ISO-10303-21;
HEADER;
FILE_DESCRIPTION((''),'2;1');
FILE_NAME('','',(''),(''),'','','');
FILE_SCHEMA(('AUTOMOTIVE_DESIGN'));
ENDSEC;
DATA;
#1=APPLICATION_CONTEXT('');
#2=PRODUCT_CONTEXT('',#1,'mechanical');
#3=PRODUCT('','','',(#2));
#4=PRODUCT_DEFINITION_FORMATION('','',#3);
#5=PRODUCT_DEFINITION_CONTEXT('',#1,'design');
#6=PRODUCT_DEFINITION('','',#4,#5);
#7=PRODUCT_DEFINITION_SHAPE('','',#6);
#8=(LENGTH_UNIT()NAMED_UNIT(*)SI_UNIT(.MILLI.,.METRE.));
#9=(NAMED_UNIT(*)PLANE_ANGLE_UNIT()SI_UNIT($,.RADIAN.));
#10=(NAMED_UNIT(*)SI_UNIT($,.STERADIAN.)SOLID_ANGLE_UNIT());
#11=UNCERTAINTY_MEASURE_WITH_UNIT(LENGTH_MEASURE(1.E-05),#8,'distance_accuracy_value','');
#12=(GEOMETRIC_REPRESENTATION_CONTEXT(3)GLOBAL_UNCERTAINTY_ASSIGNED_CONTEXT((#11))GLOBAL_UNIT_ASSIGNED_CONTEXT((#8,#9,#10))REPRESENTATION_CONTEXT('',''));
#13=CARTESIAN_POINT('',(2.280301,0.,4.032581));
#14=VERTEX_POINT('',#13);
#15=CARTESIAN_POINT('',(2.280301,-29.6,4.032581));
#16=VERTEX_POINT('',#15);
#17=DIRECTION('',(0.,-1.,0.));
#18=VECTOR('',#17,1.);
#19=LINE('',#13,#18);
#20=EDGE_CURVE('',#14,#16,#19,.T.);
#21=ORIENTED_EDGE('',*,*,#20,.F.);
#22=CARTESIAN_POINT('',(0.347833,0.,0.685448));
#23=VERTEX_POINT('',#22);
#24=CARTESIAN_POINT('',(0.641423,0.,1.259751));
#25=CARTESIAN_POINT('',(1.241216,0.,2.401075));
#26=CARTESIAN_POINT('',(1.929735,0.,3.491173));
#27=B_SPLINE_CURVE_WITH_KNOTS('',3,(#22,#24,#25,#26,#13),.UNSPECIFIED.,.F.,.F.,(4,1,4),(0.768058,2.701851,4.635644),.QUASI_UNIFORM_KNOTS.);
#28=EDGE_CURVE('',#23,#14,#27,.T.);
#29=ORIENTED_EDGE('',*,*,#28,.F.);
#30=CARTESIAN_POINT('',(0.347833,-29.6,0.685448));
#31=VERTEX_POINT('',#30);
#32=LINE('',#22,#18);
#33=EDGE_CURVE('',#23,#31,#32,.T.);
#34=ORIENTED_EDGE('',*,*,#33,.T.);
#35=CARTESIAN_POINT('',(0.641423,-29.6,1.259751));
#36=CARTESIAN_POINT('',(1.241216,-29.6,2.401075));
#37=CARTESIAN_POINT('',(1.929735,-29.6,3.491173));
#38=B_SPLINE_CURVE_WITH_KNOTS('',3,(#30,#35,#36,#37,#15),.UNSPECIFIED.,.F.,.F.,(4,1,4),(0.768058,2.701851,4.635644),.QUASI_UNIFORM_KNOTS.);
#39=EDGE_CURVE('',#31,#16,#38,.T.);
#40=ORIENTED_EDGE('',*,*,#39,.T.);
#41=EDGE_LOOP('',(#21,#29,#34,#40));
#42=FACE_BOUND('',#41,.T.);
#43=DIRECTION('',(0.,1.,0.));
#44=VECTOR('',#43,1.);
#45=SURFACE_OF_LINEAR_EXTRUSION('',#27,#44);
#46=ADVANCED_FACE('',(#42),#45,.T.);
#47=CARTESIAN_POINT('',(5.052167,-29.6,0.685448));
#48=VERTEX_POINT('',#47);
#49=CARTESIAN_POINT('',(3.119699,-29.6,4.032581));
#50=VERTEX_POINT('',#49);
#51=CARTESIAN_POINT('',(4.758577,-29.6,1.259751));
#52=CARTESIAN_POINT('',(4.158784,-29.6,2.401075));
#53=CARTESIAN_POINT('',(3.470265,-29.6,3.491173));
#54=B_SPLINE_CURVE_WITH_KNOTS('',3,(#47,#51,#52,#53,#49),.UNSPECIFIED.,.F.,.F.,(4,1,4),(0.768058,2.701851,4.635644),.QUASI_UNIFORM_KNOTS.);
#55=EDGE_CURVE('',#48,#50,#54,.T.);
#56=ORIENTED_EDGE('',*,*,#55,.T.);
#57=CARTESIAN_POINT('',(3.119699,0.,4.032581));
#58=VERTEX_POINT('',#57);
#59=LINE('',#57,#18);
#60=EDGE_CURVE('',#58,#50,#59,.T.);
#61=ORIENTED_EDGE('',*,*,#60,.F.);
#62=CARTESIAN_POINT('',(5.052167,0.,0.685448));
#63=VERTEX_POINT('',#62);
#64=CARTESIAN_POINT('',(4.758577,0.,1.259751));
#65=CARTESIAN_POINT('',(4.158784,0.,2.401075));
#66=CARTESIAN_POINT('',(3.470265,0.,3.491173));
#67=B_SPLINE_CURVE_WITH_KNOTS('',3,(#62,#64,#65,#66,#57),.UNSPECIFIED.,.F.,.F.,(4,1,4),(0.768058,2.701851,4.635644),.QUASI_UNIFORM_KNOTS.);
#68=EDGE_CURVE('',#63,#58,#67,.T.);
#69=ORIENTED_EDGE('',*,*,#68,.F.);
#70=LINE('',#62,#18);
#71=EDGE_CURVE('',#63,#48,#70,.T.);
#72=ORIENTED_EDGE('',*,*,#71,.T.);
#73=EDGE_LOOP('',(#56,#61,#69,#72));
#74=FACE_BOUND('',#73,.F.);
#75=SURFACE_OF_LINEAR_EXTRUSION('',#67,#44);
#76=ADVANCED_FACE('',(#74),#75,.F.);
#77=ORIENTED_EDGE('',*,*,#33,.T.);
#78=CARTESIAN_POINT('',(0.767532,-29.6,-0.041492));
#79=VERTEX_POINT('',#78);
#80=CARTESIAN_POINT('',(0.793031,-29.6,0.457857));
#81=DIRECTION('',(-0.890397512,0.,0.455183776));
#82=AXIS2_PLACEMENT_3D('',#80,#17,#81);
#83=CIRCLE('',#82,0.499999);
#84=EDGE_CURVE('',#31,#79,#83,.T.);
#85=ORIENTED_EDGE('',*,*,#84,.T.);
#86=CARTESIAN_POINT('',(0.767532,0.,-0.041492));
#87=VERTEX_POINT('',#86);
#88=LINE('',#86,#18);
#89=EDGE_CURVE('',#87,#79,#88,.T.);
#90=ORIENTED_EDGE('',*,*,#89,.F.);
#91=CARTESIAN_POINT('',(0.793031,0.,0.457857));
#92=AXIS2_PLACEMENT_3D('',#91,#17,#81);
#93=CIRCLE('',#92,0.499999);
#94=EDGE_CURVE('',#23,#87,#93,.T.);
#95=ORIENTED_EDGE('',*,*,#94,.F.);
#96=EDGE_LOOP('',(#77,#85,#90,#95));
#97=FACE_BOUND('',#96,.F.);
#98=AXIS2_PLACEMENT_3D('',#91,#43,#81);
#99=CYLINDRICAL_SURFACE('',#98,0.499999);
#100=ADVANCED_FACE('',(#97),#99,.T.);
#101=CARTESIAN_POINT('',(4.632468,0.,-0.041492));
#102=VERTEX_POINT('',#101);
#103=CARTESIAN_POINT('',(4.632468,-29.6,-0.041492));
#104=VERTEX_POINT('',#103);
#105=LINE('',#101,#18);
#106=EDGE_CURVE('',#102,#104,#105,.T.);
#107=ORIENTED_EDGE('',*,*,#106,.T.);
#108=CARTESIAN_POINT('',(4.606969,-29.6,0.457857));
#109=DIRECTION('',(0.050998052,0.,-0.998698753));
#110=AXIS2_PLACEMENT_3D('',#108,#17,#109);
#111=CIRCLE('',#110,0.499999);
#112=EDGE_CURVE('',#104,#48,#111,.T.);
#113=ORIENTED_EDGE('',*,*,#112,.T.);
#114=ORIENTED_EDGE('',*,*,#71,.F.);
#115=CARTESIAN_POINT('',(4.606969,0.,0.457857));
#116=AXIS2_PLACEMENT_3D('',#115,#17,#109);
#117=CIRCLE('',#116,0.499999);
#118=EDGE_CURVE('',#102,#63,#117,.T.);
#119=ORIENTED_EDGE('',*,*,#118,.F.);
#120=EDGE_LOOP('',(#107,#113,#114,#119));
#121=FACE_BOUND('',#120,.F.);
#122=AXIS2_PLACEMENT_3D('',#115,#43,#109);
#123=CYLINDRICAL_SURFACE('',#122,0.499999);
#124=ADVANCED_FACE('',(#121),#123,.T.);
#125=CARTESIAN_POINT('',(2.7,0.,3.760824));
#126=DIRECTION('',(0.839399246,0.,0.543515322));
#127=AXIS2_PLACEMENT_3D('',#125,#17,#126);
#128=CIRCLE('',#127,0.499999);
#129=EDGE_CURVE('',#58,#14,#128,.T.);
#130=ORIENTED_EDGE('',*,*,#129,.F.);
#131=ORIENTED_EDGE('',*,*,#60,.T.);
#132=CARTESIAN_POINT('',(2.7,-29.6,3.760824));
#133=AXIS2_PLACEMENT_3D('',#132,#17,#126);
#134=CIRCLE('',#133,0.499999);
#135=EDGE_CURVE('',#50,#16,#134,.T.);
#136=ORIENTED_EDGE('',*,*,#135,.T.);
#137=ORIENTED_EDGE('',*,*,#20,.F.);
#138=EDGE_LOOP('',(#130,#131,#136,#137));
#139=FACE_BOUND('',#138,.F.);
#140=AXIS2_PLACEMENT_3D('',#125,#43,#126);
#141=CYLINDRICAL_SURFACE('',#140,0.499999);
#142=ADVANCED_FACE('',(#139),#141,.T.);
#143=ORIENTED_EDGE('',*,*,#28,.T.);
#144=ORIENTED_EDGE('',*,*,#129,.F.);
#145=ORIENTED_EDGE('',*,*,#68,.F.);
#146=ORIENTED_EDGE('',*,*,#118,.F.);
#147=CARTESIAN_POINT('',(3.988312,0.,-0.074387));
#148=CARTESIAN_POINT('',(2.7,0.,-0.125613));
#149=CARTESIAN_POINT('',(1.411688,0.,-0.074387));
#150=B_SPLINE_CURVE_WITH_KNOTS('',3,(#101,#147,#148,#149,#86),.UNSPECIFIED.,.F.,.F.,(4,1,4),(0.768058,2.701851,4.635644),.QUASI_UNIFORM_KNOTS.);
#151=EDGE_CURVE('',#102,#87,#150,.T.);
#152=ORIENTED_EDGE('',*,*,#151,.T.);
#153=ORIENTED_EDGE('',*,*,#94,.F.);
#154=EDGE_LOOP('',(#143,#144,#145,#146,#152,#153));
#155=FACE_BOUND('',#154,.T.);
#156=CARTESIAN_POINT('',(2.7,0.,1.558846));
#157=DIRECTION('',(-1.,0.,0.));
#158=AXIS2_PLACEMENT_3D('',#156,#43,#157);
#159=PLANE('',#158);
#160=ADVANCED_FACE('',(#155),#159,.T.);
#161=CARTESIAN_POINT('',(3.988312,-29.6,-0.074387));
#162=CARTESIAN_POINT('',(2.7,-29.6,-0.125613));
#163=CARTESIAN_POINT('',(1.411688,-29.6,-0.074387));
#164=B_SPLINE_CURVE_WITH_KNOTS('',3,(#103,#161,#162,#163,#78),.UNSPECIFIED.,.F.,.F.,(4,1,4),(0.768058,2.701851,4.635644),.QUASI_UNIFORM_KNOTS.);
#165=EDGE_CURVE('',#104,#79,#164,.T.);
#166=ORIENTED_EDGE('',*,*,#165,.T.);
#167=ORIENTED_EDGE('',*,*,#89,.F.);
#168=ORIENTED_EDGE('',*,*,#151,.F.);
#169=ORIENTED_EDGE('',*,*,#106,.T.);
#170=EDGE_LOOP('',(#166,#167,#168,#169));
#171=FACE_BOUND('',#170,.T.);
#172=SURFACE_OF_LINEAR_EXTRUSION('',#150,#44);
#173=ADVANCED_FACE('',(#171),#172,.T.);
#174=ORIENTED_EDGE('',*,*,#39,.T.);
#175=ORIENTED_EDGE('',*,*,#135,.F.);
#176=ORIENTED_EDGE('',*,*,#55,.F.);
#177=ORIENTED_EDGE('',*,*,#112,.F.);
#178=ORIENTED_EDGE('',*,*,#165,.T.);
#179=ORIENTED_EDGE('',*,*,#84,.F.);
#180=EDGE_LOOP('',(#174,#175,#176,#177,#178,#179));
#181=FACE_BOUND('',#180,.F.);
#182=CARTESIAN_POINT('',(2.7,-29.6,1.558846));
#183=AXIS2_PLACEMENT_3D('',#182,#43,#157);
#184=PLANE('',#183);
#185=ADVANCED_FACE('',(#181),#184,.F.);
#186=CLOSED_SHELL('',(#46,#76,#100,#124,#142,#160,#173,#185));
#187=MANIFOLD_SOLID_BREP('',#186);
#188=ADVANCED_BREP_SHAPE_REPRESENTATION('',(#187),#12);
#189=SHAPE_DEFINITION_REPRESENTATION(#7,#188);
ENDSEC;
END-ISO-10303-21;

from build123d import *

# Parameters (mm, degrees)
F1_DEPTH = 29.6


with BuildPart() as f1:
    # F0 (on Front) → F1 (new body)
    with BuildSketch(Plane.XZ):
        with BuildLine():
            add(Edge.make_bspline(
                [(0.347833, 0.685448), (0.641423, 1.259751), (1.241216, 2.401075), (1.929735, 3.491173), (2.280301, 4.032581)],
                knots=[0.768058, 0.768058, 0.768058, 0.768058, 2.701851, 4.635644, 4.635644, 4.635644, 4.635644], degree=3))
            ThreePointArc((0.347833, 0.685448), (0.360019, 0.207857), (0.767532, -0.041492))
            add(Edge.make_bspline(
                [(4.632468, -0.041492), (3.988312, -0.074387), (2.7, -0.125613), (1.411688, -0.074387), (0.767532, -0.041492)],
                knots=[0.768058, 0.768058, 0.768058, 0.768058, 2.701851, 4.635644, 4.635644, 4.635644, 4.635644], degree=3))
            ThreePointArc((4.632468, -0.041492), (5.039981, 0.207857), (5.052167, 0.685448))
            add(Edge.make_bspline(
                [(5.052167, 0.685448), (4.758577, 1.259751), (4.158784, 2.401075), (3.470265, 3.491173), (3.119699, 4.032581)],
                knots=[0.768058, 0.768058, 0.768058, 0.768058, 2.701851, 4.635644, 4.635644, 4.635644, 4.635644], degree=3))
            ThreePointArc((3.119699, 4.032581), (2.7, 4.260823), (2.280301, 4.032581))
        make_face()
    extrude(amount=F1_DEPTH)


solid = f1.part
